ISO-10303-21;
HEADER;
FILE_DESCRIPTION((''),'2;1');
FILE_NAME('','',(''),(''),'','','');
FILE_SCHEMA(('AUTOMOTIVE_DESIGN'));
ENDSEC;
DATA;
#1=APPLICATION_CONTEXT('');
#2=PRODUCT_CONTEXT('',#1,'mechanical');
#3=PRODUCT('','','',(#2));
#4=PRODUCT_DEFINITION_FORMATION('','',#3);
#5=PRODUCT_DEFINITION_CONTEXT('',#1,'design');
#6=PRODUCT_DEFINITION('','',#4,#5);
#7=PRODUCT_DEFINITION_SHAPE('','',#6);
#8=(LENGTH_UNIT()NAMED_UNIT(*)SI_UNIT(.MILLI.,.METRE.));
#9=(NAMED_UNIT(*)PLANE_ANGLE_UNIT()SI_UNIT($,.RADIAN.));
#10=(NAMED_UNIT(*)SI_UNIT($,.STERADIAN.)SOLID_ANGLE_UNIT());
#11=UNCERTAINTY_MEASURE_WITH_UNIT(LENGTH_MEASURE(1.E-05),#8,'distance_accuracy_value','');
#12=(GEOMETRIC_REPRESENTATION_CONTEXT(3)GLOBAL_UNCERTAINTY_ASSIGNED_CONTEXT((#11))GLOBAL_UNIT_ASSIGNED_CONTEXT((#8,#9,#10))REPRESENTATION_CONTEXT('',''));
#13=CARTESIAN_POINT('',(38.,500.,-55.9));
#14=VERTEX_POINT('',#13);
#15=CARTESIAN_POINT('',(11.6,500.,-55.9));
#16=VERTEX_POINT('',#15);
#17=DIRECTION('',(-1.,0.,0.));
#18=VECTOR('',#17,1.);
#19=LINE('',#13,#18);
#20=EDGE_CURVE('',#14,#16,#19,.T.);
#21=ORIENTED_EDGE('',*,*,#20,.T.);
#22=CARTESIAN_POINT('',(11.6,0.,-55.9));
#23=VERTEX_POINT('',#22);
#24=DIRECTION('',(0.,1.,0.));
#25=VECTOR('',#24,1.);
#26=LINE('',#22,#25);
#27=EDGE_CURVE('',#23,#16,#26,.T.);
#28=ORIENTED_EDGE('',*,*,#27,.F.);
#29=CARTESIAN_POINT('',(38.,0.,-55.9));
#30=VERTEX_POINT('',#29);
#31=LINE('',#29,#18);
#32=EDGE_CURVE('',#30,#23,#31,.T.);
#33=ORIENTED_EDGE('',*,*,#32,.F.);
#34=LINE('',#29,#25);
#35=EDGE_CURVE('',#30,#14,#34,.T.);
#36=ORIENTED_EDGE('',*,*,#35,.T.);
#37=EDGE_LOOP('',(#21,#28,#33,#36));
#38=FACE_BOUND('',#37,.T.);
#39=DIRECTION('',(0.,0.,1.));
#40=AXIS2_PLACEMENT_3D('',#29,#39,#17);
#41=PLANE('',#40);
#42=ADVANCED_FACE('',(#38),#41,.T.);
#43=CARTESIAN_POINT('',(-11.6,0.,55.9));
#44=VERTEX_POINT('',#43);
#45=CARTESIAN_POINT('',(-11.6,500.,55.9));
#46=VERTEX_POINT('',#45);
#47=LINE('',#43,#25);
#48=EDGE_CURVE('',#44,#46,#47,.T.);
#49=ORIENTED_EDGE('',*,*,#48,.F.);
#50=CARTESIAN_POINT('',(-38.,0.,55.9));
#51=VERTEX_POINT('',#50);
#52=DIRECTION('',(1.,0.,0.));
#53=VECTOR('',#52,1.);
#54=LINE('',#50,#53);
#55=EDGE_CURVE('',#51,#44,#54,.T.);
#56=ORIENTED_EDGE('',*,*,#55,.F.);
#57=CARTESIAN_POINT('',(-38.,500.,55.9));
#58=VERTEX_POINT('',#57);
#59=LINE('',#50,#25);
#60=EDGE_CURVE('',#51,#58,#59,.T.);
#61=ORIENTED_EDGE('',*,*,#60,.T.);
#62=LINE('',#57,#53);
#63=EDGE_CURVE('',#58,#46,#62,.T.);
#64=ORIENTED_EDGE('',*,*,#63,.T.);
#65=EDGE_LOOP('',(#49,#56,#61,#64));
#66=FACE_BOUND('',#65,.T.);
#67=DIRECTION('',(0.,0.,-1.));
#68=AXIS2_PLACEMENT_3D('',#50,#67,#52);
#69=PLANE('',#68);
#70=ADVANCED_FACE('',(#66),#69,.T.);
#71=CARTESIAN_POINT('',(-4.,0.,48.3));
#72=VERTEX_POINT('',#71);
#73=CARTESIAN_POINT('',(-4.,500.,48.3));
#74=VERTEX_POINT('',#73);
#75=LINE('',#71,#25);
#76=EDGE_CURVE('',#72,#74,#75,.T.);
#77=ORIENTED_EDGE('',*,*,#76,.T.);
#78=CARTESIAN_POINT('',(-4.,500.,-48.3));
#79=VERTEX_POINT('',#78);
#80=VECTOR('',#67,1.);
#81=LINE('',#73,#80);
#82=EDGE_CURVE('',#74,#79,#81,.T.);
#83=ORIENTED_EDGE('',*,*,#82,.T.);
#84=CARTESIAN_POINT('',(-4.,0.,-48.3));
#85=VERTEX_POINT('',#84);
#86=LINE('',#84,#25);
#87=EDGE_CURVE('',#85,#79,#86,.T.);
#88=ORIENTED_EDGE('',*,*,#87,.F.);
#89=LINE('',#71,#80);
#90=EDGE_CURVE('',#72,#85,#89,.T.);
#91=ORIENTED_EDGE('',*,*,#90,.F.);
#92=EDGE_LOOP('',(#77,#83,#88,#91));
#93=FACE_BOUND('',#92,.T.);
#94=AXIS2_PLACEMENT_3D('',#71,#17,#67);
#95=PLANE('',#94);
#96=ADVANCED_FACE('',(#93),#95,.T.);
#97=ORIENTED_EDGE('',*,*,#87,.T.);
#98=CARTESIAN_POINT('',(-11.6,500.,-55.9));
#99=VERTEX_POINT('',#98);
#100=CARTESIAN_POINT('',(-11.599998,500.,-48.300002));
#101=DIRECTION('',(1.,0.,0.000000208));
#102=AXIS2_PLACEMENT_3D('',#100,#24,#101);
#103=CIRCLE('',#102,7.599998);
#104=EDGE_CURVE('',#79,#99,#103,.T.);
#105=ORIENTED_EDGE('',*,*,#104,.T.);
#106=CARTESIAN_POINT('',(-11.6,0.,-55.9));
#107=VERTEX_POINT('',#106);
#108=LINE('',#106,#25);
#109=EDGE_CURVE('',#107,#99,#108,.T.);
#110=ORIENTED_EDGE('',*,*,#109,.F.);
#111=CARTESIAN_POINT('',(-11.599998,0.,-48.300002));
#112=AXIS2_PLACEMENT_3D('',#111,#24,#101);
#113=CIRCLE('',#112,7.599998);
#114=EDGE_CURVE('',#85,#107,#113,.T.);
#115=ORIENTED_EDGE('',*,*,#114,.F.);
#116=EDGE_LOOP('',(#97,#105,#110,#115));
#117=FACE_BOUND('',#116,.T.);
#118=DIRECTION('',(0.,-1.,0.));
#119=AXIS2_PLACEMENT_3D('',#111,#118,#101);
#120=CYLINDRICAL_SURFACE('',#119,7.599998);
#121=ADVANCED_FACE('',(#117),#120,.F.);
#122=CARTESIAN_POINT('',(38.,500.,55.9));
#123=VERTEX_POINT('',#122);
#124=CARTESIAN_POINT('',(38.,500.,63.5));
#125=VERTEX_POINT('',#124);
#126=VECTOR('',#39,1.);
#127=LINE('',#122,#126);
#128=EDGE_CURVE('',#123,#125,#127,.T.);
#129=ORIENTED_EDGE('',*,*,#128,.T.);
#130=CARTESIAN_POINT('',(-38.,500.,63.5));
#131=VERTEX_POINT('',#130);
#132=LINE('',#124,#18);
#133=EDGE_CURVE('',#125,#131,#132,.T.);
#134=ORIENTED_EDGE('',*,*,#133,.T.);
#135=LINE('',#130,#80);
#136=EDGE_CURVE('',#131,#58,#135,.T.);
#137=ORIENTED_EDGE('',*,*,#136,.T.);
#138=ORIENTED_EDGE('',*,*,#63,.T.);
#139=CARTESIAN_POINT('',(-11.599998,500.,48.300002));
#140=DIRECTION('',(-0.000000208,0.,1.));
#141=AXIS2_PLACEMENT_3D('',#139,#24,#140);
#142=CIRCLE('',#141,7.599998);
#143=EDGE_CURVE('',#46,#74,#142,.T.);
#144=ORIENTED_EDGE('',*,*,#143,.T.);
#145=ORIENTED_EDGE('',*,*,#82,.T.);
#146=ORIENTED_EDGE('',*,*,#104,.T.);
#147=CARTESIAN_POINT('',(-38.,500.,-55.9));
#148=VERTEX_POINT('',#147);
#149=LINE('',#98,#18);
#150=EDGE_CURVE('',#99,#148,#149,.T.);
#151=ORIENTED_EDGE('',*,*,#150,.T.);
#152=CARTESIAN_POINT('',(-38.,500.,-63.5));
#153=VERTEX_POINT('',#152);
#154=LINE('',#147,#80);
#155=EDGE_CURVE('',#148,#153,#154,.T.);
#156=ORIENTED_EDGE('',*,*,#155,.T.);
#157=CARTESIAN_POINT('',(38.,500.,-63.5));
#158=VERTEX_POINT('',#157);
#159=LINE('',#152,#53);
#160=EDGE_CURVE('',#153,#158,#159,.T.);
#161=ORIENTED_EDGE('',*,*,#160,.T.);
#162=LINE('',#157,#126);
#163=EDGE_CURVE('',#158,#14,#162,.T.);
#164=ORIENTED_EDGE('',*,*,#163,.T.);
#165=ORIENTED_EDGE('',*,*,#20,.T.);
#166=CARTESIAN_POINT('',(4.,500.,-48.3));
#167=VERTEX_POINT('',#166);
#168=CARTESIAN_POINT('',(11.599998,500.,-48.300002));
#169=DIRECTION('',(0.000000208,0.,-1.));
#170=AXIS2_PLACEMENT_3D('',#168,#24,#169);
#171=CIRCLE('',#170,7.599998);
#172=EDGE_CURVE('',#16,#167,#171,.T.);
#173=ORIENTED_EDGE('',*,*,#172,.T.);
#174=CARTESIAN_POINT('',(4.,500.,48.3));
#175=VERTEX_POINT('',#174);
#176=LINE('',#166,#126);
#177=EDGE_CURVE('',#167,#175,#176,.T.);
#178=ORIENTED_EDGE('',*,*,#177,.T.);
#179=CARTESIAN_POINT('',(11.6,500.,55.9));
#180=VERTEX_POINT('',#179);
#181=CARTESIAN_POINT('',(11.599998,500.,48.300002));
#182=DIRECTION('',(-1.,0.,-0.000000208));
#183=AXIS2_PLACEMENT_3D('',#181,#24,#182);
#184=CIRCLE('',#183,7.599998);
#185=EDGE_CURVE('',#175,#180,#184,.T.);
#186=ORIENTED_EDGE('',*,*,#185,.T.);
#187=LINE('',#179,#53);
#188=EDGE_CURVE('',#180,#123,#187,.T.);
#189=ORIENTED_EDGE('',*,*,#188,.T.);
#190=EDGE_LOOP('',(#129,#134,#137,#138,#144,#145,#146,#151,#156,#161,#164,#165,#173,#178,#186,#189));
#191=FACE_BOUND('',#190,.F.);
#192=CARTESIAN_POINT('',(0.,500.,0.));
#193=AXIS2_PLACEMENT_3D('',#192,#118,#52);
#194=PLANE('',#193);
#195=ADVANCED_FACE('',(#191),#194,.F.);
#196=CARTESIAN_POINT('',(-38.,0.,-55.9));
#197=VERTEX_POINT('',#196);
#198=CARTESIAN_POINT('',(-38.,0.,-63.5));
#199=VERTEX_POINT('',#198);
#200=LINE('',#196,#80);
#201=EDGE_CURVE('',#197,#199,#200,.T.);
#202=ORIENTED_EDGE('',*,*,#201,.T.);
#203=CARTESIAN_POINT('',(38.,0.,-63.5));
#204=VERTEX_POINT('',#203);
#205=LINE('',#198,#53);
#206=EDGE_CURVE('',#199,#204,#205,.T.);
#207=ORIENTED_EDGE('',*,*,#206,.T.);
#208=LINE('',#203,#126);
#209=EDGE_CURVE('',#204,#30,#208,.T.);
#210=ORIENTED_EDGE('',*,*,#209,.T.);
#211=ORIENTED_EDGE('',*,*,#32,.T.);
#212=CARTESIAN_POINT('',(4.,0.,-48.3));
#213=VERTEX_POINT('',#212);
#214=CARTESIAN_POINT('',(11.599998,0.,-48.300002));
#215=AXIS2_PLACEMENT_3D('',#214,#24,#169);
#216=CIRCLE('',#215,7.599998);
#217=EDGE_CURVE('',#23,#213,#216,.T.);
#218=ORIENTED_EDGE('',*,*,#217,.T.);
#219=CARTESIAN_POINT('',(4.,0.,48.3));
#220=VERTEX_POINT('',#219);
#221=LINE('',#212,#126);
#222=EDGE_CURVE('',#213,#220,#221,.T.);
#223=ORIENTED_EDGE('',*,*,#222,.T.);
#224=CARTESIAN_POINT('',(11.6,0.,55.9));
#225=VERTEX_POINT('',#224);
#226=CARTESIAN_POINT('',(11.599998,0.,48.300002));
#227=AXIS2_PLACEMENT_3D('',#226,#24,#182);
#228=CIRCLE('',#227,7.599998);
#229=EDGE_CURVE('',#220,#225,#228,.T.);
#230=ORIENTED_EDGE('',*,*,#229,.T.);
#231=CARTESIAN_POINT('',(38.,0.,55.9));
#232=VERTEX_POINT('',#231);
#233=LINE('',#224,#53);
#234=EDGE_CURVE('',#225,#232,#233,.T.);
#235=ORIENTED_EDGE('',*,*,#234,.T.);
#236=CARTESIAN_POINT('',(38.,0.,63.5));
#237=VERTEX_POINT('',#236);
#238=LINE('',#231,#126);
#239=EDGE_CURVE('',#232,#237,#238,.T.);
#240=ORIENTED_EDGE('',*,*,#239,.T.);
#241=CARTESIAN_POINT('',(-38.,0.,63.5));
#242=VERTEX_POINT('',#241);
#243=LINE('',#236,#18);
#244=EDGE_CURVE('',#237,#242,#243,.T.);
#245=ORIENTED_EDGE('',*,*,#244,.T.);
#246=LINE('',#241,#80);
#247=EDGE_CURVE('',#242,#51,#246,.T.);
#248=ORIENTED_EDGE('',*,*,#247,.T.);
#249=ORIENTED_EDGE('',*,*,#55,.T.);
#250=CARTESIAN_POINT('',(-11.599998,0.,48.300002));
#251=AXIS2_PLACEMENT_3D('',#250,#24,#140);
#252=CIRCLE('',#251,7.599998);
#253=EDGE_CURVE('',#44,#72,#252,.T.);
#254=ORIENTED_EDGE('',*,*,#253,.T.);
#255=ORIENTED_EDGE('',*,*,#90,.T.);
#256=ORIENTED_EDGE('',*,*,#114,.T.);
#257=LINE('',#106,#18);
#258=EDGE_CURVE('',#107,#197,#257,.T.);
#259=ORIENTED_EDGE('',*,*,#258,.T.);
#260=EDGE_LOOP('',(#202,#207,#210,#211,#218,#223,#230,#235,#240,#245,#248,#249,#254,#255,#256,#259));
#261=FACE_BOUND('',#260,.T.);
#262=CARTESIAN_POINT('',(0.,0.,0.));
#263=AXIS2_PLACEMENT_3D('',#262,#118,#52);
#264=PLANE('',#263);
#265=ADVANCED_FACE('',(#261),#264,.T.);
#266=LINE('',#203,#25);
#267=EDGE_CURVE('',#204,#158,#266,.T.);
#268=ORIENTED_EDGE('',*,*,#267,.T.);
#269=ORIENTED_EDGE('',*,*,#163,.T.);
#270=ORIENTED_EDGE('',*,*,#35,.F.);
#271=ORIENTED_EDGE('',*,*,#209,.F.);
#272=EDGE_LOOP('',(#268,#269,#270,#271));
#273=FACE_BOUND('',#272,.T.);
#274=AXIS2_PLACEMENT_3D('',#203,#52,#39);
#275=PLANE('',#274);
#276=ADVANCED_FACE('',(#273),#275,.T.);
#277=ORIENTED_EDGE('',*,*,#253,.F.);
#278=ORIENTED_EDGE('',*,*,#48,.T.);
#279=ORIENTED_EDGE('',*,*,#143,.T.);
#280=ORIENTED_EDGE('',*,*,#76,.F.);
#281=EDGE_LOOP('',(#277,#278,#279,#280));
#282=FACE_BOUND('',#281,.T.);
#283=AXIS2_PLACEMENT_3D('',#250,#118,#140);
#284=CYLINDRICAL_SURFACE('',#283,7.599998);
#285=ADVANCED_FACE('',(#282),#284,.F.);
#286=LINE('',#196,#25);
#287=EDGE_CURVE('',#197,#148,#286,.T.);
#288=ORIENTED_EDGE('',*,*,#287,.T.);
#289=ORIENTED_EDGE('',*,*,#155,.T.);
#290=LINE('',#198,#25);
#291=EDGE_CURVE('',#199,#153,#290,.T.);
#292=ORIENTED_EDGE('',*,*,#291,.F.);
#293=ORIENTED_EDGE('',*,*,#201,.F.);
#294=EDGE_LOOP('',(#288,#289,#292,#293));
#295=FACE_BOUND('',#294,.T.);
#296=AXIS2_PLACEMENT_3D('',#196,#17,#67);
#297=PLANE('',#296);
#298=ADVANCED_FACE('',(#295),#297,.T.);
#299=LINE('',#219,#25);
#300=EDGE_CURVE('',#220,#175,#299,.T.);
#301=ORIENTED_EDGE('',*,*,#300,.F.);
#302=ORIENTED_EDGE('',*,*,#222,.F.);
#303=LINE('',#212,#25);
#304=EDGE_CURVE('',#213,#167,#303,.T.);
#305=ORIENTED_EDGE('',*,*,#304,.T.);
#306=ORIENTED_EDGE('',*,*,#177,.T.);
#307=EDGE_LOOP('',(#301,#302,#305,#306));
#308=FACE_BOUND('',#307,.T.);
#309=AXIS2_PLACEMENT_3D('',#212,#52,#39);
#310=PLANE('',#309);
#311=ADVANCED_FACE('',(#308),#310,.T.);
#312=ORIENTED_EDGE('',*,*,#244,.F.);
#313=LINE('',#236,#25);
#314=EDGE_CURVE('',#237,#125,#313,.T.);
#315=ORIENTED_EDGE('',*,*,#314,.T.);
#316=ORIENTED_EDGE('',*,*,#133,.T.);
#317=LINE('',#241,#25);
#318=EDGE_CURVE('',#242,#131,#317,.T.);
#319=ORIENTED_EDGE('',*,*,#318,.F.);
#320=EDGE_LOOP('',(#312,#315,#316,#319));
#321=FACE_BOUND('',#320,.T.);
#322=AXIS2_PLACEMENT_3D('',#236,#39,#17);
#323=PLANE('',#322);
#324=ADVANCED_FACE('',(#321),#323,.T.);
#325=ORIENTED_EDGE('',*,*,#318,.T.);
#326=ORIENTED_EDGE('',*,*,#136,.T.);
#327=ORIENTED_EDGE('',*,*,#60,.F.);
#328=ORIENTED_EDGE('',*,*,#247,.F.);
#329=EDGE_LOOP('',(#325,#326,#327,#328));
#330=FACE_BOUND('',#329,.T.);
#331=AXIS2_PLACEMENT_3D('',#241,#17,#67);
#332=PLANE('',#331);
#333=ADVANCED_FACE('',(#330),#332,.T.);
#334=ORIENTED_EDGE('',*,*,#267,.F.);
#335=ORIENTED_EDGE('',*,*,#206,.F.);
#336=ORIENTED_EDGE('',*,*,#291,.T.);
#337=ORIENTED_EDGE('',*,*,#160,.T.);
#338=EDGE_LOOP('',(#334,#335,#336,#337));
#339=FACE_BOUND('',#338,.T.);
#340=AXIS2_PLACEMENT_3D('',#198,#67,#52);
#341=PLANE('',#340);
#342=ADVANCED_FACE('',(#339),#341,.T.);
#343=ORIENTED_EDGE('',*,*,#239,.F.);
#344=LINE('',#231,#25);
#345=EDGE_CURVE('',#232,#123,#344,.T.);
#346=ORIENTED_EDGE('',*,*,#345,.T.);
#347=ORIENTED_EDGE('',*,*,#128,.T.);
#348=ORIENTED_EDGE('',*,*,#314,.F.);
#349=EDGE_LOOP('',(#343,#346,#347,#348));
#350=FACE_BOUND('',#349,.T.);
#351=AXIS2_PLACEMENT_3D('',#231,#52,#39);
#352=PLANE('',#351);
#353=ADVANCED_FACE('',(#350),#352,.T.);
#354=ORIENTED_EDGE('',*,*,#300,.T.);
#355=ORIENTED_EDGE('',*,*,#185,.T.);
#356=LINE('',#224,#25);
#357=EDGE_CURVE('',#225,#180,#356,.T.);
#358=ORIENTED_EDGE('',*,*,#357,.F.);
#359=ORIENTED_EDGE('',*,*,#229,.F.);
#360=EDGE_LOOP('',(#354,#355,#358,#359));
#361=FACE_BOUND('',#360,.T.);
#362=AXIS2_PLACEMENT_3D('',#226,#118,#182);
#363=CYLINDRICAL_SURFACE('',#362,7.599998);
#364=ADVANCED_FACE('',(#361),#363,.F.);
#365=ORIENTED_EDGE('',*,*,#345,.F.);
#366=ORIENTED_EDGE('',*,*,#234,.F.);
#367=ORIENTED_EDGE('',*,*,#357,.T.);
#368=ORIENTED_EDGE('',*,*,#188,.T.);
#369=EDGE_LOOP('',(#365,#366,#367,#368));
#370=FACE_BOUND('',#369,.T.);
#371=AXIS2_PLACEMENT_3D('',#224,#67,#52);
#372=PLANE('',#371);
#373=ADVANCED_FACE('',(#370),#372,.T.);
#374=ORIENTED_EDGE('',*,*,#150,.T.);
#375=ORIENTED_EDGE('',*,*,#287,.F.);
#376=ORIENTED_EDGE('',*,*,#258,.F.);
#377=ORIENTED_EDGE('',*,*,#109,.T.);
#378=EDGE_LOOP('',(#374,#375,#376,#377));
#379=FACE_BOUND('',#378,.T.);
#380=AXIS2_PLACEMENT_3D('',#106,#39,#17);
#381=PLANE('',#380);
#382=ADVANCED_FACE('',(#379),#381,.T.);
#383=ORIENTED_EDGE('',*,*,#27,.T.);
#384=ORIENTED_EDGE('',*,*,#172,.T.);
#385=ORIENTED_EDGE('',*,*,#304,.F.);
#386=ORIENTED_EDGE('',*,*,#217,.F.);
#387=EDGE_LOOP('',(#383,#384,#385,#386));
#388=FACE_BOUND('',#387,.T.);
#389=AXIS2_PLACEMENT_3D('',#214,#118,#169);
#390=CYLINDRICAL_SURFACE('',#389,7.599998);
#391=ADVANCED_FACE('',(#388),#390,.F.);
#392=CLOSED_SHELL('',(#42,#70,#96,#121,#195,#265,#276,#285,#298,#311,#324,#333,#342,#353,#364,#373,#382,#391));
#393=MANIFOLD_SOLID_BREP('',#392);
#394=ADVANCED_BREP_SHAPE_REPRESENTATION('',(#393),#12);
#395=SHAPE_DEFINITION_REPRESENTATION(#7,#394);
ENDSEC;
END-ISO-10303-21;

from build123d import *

# Parameters (mm, degrees)
F1_DEPTH = 500


with BuildPart() as f1:
    # F0 (on Front) → F1 (new body)
    with BuildSketch(Plane.XZ):
        with BuildLine():
            Line((4, -48.3), (4, 0))
            Line((4, 0), (4, 48.3))
            ThreePointArc((4, 48.3), (6.225988, 53.674012), (11.6, 55.9))
            Line((11.6, 55.9), (38, 55.9))
            Line((38, 55.9), (38, 63.5))
            Line((38, 63.5), (0, 63.5))
            Line((0, 63.5), (-38, 63.5))
            Line((-38, 63.5), (-38, 55.9))
            Line((-38, 55.9), (-11.6, 55.9))
            ThreePointArc((-11.6, 55.9), (-6.225988, 53.674012), (-4, 48.3))
            Line((-4, 48.3), (-4, 0))
            Line((-4, 0), (-4, -48.3))
            ThreePointArc((-4, -48.3), (-6.225988, -53.674012), (-11.6, -55.9))
            Line((-11.6, -55.9), (-38, -55.9))
            Line((-38, -55.9), (-38, -63.5))
            Line((-38, -63.5), (0, -63.5))
            Line((0, -63.5), (38, -63.5))
            Line((38, -63.5), (38, -55.9))
            Line((38, -55.9), (11.6, -55.9))
            ThreePointArc((11.6, -55.9), (6.225988, -53.674012), (4, -48.3))
        make_face()
    extrude(amount=-F1_DEPTH)


solid = f1.part
